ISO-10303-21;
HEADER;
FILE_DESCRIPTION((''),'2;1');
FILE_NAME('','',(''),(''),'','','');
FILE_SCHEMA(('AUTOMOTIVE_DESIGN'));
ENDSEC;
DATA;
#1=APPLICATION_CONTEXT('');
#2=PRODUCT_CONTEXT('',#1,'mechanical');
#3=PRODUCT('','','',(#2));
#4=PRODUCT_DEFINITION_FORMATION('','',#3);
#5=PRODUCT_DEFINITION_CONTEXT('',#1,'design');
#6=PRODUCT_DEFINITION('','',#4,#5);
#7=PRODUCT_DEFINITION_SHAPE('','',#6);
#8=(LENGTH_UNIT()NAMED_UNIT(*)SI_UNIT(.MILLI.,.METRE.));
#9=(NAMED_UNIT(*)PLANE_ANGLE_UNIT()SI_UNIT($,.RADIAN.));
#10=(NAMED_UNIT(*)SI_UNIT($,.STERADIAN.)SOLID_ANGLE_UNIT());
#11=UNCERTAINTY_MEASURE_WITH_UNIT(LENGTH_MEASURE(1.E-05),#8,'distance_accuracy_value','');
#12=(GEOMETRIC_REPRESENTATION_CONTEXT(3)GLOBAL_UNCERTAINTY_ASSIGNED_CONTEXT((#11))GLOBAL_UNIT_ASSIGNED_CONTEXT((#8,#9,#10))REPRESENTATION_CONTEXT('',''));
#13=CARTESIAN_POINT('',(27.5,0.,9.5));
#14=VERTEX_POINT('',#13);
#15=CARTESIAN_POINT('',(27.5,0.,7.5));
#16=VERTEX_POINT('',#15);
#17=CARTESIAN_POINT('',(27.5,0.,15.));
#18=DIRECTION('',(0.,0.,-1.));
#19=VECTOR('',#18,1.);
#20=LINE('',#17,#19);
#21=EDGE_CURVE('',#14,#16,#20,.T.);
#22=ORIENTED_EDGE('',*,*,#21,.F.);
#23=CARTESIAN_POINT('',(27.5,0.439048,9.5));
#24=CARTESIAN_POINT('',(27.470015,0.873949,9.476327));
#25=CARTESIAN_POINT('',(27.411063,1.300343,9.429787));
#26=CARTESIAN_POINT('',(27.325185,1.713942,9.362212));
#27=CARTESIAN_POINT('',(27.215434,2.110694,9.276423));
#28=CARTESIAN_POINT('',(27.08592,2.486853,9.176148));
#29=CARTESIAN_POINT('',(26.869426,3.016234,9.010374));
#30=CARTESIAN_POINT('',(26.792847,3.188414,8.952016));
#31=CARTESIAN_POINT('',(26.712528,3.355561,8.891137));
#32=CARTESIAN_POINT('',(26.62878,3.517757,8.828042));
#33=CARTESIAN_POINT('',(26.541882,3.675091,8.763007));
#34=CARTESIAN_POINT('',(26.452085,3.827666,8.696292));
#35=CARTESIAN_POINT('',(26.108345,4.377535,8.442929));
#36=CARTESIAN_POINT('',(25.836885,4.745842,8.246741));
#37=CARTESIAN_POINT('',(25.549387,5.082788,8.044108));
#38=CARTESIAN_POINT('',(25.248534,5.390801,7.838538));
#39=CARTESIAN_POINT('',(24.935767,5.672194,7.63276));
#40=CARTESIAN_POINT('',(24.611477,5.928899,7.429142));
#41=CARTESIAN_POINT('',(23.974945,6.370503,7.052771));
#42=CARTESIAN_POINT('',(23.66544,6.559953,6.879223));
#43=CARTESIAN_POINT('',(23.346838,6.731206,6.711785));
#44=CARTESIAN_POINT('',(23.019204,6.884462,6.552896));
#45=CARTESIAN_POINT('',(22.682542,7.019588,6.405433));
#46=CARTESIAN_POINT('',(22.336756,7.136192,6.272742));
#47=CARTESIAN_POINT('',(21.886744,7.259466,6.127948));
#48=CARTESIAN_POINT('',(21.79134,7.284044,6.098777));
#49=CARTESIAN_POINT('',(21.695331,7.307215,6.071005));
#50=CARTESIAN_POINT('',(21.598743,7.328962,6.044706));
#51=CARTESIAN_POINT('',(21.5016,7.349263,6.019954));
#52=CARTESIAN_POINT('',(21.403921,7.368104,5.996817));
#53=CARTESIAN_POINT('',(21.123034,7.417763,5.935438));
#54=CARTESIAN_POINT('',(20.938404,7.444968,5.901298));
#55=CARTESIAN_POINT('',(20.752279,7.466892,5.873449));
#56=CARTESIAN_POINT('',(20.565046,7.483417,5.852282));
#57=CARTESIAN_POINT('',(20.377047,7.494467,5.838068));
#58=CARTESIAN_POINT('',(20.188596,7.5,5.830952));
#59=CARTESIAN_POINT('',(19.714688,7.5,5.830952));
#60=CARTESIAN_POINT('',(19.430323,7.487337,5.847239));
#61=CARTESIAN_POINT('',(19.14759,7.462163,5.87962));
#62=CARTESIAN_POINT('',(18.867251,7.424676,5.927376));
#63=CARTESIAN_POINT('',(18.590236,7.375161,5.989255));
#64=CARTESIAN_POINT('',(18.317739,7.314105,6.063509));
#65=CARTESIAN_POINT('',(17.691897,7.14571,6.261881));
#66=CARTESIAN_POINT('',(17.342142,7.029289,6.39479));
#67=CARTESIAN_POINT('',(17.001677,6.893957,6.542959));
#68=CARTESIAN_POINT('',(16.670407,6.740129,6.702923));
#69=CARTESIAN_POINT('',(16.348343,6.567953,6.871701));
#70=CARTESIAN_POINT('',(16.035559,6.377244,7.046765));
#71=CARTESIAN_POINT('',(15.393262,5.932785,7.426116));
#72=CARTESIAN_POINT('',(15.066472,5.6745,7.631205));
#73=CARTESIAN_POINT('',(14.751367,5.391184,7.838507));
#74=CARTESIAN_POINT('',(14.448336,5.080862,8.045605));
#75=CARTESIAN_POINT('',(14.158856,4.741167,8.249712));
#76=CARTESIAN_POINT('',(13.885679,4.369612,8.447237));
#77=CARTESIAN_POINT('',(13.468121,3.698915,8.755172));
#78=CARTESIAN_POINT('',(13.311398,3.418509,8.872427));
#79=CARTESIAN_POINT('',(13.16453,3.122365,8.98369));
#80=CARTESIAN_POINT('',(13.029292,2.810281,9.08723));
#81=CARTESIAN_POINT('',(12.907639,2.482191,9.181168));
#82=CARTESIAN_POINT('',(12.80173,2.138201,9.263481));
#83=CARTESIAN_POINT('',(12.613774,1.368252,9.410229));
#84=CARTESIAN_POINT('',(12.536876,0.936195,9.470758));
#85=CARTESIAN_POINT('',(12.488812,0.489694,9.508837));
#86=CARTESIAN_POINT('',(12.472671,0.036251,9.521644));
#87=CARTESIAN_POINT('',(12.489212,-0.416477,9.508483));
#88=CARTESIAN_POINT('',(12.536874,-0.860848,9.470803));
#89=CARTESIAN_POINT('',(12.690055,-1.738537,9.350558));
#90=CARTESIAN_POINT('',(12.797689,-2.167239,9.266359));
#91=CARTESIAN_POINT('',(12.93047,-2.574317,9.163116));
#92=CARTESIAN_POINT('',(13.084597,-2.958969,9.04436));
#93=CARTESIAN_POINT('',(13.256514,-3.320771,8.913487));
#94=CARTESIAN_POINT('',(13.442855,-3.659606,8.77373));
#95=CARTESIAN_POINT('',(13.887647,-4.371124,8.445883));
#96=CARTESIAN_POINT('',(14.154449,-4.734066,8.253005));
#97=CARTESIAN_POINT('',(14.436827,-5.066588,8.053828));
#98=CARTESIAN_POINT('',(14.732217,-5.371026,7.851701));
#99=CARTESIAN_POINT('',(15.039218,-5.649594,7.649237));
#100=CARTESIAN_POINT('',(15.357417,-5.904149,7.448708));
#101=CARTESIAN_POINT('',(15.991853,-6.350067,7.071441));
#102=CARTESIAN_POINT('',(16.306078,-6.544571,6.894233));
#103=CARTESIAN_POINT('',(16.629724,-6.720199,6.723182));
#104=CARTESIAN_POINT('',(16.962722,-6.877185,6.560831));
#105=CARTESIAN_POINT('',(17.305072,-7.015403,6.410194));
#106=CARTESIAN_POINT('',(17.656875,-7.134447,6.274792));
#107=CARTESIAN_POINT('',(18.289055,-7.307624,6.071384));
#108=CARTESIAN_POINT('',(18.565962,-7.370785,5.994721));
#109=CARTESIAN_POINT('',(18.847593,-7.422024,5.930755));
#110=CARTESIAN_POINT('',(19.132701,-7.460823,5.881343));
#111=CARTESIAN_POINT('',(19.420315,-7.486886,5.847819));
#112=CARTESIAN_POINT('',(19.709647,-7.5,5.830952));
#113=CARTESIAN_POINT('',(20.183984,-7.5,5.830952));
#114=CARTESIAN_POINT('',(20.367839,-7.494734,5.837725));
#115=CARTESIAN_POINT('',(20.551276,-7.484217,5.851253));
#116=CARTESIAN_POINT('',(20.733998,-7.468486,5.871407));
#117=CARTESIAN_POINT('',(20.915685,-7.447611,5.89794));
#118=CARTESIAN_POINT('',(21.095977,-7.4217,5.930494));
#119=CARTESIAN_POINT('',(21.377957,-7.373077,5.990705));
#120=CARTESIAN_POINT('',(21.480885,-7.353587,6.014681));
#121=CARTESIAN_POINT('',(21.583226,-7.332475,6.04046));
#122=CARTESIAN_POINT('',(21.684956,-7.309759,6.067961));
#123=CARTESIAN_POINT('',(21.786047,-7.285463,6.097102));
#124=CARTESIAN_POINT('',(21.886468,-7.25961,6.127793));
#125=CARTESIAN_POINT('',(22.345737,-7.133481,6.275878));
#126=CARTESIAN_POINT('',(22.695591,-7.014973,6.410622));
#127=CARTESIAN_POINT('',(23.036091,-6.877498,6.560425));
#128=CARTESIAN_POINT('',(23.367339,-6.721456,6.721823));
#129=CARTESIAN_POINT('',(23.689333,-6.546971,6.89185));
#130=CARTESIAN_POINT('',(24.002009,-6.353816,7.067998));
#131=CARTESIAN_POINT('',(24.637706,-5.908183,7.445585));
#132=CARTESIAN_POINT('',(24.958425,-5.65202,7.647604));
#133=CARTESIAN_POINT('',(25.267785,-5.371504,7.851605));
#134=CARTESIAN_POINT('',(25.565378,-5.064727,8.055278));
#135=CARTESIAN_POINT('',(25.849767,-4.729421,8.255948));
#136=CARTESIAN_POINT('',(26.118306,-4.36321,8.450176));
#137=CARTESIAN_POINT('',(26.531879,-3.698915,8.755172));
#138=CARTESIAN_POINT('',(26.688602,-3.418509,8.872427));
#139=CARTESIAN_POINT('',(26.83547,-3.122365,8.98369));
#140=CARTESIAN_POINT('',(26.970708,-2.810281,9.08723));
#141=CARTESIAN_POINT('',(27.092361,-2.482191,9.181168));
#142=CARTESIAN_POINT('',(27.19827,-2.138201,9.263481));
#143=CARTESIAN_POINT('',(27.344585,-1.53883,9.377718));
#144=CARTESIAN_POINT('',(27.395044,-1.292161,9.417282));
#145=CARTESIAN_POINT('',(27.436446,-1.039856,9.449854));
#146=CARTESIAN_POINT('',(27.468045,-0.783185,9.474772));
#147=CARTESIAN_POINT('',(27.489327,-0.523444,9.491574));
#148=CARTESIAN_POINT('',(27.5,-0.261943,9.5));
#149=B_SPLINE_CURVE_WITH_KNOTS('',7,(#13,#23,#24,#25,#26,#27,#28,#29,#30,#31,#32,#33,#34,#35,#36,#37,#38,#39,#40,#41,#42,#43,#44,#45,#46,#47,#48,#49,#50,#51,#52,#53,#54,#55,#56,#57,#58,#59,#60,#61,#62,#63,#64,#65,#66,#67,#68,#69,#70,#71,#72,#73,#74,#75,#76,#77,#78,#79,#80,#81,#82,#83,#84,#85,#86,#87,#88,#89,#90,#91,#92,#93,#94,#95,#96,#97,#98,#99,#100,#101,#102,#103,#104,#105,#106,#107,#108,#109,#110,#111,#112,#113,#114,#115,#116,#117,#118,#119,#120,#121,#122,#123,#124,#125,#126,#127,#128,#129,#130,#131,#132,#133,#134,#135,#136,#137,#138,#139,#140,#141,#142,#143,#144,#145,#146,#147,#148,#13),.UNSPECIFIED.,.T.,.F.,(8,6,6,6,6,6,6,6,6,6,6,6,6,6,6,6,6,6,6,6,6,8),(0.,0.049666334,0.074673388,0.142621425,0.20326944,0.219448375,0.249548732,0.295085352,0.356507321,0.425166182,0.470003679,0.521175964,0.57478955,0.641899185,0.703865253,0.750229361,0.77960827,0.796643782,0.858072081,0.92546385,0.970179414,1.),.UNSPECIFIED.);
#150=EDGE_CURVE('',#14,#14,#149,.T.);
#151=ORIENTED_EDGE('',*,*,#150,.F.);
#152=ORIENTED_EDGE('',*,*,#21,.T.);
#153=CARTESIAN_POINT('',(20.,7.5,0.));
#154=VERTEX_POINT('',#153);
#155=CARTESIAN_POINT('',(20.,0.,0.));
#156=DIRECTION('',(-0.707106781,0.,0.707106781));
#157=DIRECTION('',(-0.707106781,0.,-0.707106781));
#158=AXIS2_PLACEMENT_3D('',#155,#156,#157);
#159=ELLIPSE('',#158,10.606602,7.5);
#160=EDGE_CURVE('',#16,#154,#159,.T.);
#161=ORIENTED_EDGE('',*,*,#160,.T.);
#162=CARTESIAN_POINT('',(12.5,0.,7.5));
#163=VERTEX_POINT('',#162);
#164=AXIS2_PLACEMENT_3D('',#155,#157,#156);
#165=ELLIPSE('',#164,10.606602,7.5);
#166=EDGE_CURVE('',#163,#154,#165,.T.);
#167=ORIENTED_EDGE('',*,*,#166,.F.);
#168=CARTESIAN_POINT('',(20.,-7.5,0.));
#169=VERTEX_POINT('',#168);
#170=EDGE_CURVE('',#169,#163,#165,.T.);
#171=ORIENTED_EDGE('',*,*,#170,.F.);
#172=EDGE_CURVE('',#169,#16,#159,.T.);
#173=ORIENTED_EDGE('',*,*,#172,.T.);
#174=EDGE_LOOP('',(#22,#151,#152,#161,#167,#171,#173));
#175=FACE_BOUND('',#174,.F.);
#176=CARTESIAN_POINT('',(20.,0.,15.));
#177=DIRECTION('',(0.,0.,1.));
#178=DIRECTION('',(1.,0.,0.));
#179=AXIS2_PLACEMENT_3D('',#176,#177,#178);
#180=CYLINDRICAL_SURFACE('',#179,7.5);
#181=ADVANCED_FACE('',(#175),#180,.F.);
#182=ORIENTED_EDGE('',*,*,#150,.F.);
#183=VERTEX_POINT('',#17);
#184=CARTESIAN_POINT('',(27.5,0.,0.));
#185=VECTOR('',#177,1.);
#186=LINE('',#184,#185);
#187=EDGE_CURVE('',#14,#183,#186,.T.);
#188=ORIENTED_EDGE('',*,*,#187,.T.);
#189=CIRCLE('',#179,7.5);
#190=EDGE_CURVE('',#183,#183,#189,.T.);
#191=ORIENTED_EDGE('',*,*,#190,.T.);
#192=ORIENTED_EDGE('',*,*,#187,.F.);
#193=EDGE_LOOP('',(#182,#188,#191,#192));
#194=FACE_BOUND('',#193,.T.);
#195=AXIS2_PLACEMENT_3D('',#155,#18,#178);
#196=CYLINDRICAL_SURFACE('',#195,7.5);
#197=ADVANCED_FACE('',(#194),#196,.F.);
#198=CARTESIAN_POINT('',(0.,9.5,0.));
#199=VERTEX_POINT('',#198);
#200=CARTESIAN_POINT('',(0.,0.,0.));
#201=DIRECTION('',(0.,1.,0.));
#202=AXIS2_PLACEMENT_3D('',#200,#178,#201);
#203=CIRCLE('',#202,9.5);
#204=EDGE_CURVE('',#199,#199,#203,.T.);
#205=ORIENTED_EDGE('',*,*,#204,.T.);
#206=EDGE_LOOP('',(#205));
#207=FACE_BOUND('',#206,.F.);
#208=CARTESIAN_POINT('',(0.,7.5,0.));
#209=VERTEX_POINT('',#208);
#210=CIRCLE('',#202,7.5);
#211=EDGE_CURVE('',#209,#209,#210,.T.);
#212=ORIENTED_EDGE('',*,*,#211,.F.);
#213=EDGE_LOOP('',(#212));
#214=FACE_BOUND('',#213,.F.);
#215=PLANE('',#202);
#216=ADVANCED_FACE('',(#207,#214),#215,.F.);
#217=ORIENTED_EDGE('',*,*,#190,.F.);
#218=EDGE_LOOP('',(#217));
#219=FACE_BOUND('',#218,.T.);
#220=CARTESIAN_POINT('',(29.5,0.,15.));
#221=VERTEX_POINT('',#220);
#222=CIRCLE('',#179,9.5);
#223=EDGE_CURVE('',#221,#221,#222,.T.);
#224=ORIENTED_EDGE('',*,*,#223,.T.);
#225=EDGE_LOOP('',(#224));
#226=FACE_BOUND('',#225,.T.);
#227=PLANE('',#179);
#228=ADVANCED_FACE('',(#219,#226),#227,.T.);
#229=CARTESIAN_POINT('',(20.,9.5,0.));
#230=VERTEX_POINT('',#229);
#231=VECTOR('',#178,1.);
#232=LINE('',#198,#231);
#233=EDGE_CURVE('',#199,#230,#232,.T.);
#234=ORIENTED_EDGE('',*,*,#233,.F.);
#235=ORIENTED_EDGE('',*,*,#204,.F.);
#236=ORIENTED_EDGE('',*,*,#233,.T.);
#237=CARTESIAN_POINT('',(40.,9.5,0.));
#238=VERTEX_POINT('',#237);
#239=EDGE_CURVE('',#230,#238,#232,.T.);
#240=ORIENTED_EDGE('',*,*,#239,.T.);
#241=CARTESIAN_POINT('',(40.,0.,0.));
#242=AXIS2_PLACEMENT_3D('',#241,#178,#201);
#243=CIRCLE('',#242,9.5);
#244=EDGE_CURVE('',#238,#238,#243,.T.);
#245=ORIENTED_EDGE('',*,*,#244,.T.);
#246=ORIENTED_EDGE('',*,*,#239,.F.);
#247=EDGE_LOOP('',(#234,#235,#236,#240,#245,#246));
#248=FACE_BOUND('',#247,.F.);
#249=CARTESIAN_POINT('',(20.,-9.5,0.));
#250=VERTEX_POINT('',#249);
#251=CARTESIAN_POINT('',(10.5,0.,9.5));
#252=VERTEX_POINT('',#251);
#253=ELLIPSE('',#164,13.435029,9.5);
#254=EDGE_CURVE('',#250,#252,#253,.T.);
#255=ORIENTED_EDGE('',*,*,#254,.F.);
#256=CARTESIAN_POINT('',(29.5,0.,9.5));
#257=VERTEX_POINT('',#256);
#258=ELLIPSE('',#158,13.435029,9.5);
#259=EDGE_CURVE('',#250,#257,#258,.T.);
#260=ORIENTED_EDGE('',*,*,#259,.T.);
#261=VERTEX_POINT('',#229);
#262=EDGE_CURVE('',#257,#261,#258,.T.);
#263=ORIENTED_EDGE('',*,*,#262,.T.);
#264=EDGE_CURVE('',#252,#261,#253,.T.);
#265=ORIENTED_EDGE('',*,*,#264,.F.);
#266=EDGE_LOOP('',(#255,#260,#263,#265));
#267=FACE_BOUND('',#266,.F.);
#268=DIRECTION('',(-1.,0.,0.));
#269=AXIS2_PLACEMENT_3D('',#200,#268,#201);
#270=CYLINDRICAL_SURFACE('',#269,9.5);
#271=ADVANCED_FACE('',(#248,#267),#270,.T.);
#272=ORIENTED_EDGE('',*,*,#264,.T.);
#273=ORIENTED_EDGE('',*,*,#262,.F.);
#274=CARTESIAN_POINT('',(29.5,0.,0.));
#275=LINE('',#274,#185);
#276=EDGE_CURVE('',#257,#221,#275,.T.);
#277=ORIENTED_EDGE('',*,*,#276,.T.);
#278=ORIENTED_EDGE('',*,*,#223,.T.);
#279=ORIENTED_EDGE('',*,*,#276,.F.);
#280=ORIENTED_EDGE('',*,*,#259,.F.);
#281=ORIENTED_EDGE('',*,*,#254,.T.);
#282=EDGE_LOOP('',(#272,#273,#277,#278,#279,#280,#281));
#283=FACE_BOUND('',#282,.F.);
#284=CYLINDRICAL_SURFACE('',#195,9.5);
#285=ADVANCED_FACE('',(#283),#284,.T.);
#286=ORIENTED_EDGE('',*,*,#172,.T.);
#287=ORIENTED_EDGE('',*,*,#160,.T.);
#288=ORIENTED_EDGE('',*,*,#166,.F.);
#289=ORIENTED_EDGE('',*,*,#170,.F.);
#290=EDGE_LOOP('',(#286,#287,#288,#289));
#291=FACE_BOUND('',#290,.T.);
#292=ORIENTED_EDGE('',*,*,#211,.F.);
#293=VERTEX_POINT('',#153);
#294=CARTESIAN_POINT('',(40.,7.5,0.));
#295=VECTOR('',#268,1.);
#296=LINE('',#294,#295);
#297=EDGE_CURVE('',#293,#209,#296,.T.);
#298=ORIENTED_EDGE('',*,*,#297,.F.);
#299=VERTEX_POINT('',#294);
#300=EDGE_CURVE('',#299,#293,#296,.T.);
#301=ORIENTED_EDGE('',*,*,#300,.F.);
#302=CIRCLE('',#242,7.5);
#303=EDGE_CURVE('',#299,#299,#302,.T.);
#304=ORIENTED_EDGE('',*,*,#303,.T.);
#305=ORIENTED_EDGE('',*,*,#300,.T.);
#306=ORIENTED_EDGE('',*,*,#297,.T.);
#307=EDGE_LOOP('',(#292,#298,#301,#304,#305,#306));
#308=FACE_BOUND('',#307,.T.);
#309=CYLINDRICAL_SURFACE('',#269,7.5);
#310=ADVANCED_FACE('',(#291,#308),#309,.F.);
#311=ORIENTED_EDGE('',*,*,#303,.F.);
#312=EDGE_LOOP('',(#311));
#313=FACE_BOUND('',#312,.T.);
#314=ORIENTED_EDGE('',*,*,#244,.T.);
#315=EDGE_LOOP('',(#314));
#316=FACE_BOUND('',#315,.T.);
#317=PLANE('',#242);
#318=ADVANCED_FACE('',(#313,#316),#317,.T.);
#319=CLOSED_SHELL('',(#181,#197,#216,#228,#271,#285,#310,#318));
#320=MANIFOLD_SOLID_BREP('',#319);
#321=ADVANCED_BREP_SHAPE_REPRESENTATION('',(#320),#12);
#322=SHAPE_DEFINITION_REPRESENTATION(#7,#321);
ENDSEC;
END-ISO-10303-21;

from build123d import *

# Parameters (mm, degrees)
F0_R     = 9.5
F0_R_2   = 7.5
F1_DEPTH = 40
F2_R     = 9.5
F2_R_2   = 7.5
F3_DEPTH = 15
F4_R     = 7.5
F5_DEPTH = 50
F6_R     = 7.5
F7_DEPTH = 15


with BuildPart() as f1:
    # F0 (on Right) → F1 (new body)
    with BuildSketch(Plane.YZ):
        Circle(F0_R)
        Circle(F0_R_2, mode=Mode.SUBTRACT)
    extrude(amount=F1_DEPTH)

    # F2 (on Top) → F3 (join)
    with BuildSketch(Plane.XY):
        with Locations((20, 0)):
            Circle(F2_R)
        with Locations((20, 0)):
            Circle(F2_R_2, mode=Mode.SUBTRACT)
    extrude(amount=F3_DEPTH)

    # F4 (on face) → F5 (cut)
    with BuildSketch(Plane.YZ.offset(40)):
        Circle(F4_R)
    extrude(amount=-F5_DEPTH, mode=Mode.SUBTRACT)

    # F6 (on face) → F7 (cut)
    with BuildSketch(Plane.XY.offset(15)):
        with Locations((20, 0)):
            Circle(F6_R)
    extrude(amount=-F7_DEPTH, mode=Mode.SUBTRACT)


solid = f1.part
